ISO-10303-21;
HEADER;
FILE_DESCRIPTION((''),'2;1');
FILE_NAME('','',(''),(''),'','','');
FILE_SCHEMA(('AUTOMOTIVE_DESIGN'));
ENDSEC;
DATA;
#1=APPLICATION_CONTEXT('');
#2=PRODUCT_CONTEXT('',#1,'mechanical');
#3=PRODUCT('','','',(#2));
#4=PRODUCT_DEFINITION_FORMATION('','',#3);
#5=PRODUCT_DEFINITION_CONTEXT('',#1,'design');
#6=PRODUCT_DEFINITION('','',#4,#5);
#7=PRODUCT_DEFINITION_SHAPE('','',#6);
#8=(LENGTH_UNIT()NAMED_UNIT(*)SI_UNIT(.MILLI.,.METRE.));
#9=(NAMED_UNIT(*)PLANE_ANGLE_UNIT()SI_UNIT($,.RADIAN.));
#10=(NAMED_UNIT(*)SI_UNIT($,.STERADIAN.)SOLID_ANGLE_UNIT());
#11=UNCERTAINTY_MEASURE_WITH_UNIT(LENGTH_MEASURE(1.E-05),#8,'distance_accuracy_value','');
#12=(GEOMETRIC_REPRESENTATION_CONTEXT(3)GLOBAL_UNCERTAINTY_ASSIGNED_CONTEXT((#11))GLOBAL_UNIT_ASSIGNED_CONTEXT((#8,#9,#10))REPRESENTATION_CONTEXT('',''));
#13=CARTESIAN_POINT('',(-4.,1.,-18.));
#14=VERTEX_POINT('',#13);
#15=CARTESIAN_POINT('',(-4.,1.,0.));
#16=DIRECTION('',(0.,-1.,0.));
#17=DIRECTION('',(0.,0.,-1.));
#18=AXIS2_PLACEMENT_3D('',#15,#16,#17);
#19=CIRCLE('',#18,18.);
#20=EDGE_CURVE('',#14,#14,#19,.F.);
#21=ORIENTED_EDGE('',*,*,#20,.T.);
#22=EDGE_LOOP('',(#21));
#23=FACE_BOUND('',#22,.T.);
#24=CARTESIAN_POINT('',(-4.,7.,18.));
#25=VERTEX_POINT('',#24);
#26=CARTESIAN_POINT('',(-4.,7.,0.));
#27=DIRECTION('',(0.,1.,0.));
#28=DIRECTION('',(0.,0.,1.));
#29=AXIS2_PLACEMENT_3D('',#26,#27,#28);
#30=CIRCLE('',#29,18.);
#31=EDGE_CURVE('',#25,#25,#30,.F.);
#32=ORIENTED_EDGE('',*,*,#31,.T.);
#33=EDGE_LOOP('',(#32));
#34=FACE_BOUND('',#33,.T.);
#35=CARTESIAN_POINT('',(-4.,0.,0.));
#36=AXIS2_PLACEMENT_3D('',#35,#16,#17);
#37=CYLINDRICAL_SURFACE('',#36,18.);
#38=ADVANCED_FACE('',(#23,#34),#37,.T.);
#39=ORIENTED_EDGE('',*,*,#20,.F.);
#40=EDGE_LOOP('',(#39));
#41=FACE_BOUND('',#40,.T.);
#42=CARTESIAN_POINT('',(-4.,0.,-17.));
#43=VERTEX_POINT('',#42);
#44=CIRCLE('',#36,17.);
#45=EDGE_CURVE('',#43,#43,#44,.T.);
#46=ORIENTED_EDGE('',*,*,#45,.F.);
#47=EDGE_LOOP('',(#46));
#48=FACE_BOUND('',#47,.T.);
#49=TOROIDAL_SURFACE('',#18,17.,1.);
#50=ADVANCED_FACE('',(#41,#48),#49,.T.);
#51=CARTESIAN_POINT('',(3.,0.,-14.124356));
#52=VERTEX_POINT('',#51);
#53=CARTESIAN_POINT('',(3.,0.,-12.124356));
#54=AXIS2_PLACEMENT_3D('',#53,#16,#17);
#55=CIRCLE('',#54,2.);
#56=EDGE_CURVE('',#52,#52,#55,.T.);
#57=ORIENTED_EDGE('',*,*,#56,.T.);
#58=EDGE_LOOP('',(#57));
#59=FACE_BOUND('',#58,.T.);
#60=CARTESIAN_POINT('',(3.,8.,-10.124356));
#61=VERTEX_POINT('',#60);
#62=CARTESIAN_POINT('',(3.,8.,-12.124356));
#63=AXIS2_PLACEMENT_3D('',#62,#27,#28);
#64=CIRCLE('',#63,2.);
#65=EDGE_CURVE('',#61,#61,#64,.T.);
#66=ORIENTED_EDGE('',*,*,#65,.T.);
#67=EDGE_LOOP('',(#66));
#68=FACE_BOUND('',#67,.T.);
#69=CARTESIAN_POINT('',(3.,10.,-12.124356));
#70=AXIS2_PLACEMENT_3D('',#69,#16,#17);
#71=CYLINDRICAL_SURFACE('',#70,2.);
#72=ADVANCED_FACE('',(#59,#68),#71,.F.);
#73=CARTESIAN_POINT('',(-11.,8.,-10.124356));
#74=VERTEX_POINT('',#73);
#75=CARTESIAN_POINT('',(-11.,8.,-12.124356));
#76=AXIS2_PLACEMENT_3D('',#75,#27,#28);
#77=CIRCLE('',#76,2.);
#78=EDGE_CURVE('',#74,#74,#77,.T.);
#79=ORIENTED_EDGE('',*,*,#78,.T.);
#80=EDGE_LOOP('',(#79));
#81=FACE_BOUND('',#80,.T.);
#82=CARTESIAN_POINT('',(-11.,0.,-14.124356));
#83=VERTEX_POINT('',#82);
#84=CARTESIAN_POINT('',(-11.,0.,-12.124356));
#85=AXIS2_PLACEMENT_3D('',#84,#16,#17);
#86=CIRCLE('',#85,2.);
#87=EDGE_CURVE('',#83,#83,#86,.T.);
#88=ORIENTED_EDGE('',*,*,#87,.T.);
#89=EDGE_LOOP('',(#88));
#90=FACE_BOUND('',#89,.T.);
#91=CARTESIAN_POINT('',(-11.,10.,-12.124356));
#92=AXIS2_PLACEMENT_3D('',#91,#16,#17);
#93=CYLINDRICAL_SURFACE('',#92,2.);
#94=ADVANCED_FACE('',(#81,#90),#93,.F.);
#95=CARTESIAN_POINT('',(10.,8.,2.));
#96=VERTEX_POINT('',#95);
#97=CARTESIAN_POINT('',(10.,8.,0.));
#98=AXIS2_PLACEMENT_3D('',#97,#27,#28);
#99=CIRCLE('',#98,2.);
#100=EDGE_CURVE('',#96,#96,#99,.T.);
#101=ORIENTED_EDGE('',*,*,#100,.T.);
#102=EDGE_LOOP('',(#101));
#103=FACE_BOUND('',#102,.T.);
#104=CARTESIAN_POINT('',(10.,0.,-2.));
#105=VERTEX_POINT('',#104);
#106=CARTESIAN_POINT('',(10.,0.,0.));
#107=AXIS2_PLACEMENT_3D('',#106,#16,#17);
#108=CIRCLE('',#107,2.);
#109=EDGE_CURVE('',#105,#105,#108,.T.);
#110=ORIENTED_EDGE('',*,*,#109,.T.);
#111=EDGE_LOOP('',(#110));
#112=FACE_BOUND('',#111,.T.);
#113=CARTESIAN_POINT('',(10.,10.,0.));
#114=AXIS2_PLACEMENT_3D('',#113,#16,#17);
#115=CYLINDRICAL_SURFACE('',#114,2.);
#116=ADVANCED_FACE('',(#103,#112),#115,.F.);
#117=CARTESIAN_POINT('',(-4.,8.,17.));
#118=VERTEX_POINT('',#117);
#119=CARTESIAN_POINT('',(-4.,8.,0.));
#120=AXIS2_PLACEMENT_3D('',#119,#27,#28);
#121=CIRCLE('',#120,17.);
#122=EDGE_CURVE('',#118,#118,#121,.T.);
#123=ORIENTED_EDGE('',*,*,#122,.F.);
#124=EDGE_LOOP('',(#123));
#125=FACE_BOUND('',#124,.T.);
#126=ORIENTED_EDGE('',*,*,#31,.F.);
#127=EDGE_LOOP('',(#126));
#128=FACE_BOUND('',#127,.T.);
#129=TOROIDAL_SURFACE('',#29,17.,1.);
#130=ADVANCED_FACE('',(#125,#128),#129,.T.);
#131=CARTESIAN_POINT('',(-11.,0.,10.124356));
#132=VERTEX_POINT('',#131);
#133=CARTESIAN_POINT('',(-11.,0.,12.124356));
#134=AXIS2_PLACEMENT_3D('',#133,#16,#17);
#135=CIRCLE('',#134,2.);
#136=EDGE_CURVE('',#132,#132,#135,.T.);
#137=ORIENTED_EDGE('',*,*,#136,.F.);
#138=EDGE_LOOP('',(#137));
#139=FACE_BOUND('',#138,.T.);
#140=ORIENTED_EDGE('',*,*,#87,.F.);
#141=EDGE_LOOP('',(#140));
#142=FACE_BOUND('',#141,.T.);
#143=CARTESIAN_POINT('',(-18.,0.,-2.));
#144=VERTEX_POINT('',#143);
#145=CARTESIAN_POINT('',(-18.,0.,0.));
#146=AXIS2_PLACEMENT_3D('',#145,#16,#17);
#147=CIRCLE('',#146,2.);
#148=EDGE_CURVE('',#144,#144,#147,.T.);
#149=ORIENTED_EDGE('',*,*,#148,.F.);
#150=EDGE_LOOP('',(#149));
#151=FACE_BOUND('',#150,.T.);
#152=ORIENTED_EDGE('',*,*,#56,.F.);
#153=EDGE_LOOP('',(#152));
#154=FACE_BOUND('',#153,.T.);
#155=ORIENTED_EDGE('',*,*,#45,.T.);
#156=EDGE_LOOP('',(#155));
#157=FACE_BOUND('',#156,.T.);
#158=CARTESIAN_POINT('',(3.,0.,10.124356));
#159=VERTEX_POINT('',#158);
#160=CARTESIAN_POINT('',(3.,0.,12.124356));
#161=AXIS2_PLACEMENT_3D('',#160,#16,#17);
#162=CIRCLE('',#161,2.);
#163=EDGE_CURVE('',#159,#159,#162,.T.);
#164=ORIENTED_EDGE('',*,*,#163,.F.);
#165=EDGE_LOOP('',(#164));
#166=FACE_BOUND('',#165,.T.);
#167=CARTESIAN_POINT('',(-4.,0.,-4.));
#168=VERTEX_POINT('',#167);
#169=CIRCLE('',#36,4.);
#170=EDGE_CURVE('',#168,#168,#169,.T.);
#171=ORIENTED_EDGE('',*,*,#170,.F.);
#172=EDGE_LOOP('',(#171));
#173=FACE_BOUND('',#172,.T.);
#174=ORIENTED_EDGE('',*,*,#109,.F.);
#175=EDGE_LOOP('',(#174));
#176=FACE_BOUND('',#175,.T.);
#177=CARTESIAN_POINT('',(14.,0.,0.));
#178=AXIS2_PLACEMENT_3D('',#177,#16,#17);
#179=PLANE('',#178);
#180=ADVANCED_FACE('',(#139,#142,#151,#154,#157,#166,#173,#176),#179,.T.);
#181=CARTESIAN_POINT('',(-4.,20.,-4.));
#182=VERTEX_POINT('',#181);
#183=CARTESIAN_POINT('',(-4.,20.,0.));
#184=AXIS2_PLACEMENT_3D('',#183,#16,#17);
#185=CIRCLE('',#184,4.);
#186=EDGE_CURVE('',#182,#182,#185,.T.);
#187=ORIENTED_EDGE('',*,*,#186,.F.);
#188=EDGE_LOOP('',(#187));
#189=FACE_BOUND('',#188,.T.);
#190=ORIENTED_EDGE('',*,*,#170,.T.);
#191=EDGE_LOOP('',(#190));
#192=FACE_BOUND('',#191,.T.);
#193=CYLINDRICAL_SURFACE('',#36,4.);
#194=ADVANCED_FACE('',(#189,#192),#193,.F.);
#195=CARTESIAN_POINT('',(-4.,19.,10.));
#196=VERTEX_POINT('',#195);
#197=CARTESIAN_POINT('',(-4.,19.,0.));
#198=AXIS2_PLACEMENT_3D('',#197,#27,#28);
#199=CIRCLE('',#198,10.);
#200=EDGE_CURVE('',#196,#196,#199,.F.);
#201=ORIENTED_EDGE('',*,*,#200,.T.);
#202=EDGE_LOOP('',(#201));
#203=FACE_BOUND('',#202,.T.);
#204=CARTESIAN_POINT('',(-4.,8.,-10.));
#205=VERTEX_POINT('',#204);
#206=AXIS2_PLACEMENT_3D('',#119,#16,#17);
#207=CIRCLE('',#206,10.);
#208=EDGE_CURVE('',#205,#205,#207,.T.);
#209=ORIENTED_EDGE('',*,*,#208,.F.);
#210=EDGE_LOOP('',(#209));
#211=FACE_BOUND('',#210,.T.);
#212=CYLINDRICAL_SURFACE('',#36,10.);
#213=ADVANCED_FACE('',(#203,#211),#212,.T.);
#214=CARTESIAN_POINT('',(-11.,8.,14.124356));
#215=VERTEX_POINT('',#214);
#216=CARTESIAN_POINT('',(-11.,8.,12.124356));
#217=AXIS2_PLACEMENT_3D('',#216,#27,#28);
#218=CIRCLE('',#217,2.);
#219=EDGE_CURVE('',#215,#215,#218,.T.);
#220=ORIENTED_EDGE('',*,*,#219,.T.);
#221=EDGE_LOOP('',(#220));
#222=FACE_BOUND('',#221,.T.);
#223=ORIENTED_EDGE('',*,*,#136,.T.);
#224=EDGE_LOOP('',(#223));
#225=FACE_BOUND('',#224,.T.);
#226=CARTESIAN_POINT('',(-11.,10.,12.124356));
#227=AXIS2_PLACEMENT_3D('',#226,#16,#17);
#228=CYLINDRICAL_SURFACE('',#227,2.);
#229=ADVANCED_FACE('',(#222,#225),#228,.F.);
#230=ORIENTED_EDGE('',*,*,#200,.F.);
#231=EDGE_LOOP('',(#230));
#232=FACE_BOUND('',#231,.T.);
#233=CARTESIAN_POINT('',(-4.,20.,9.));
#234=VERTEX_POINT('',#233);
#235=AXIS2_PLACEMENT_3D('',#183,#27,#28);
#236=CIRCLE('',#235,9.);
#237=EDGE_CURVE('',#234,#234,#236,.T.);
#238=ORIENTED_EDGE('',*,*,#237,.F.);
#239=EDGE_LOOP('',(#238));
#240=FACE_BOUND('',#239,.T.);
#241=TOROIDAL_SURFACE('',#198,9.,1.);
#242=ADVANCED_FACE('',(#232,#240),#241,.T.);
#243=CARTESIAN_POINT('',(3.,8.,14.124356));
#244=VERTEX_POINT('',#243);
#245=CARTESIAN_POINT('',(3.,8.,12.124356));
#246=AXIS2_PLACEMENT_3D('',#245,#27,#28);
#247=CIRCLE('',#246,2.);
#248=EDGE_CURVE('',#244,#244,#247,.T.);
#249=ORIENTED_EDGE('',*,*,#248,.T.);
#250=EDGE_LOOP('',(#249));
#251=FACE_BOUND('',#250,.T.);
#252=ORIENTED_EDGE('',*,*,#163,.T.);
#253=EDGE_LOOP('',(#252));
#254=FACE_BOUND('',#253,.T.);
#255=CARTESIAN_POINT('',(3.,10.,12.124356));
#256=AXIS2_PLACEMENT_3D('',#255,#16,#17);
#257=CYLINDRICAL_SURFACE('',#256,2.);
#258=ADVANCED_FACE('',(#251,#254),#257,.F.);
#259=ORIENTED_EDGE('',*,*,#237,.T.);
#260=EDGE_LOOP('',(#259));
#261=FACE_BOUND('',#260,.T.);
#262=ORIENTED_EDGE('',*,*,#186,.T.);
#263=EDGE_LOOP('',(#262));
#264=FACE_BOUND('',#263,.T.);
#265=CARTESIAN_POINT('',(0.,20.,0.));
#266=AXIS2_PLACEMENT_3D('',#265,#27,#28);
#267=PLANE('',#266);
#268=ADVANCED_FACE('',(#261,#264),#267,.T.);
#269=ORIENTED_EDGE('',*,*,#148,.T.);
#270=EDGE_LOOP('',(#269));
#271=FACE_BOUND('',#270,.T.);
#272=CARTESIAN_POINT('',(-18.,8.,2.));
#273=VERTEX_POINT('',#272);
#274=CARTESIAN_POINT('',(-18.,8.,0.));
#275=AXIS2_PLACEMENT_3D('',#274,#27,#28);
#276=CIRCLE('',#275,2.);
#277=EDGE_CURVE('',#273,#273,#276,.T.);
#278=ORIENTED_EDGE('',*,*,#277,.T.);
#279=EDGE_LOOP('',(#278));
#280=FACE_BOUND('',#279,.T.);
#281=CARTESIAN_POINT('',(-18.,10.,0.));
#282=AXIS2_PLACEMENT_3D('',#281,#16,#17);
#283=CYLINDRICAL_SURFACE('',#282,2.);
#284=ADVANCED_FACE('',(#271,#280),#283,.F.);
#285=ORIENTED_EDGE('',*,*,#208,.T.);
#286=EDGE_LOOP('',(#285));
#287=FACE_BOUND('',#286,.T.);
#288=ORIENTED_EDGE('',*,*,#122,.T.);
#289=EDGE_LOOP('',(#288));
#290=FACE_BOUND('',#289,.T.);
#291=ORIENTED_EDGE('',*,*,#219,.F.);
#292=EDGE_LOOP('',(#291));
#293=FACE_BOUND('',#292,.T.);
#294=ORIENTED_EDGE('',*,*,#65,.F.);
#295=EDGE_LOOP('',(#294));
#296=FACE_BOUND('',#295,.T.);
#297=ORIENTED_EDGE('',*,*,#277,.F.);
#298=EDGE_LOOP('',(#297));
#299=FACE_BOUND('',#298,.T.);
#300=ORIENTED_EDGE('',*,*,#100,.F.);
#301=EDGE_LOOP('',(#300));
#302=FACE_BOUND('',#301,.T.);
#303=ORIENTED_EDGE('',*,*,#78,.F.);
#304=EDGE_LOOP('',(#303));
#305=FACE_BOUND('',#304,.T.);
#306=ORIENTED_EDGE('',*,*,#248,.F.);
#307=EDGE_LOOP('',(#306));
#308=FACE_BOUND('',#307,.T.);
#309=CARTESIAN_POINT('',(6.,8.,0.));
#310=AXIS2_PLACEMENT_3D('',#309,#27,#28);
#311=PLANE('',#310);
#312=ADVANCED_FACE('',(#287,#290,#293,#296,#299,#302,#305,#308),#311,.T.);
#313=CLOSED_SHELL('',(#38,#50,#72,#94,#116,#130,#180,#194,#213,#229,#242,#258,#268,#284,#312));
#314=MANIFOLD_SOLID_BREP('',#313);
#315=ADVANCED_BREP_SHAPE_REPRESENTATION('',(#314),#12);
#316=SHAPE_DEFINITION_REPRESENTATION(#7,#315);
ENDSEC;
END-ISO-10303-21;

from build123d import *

# Parameters (mm, degrees)
FILLET1_R          = 1
SKETCH2_R          = 2
CUT_EXTRUDE1_DEPTH = 10


with BuildPart() as part:
    # Sketch1 → Revolve1 (revolve)
    with BuildSketch(Plane.XY, mode=Mode.PRIVATE) as revolve1_sk:
        Polygon((0, 0), (0, 20), (6, 20), (6, 8), (14, 8), (14, 0), align=None)
    revolve(revolve1_sk.sketch.rotate(Axis((-4, 0, 0), (0, 1, 0)), 90), axis=Axis((-4, 0, 0), (0, 1, 0)))

    # Fillet1
    fillet1_edges = [part.edges().sort_by_distance(p)[0] for p in [
        (-4, 0, 18),
        (-4, 8, 18),
        (-4, 20, 10),
    ]]
    fillet(fillet1_edges, radius=FILLET1_R)

    # Sketch2 → Cut-Extrude1 (cut)
    with BuildSketch(Plane(origin=(0, 0, 0), x_dir=(-1, 0, 0), z_dir=(0, -1, 0))):
        with Locations(Location((18, 0, 0), (0, 0, 90))):
            Circle(SKETCH2_R)
        with Locations(Location((11, -12.124355653, 0), (0, 0, 90))):
            Circle(SKETCH2_R)
        with Locations(Location((-3, -12.124355653, 0), (0, 0, 90))):
            Circle(SKETCH2_R)
        with Locations(Location((-10, 0, 0), (0, 0, 90))):
            Circle(SKETCH2_R)
        with Locations(Location((-3, 12.124355653, 0), (0, 0, 90))):
            Circle(SKETCH2_R)
        with Locations(Location((11, 12.124355653, 0), (0, 0, 90))):
            Circle(SKETCH2_R)
    extrude(amount=-CUT_EXTRUDE1_DEPTH, mode=Mode.SUBTRACT)


solid = part.part
